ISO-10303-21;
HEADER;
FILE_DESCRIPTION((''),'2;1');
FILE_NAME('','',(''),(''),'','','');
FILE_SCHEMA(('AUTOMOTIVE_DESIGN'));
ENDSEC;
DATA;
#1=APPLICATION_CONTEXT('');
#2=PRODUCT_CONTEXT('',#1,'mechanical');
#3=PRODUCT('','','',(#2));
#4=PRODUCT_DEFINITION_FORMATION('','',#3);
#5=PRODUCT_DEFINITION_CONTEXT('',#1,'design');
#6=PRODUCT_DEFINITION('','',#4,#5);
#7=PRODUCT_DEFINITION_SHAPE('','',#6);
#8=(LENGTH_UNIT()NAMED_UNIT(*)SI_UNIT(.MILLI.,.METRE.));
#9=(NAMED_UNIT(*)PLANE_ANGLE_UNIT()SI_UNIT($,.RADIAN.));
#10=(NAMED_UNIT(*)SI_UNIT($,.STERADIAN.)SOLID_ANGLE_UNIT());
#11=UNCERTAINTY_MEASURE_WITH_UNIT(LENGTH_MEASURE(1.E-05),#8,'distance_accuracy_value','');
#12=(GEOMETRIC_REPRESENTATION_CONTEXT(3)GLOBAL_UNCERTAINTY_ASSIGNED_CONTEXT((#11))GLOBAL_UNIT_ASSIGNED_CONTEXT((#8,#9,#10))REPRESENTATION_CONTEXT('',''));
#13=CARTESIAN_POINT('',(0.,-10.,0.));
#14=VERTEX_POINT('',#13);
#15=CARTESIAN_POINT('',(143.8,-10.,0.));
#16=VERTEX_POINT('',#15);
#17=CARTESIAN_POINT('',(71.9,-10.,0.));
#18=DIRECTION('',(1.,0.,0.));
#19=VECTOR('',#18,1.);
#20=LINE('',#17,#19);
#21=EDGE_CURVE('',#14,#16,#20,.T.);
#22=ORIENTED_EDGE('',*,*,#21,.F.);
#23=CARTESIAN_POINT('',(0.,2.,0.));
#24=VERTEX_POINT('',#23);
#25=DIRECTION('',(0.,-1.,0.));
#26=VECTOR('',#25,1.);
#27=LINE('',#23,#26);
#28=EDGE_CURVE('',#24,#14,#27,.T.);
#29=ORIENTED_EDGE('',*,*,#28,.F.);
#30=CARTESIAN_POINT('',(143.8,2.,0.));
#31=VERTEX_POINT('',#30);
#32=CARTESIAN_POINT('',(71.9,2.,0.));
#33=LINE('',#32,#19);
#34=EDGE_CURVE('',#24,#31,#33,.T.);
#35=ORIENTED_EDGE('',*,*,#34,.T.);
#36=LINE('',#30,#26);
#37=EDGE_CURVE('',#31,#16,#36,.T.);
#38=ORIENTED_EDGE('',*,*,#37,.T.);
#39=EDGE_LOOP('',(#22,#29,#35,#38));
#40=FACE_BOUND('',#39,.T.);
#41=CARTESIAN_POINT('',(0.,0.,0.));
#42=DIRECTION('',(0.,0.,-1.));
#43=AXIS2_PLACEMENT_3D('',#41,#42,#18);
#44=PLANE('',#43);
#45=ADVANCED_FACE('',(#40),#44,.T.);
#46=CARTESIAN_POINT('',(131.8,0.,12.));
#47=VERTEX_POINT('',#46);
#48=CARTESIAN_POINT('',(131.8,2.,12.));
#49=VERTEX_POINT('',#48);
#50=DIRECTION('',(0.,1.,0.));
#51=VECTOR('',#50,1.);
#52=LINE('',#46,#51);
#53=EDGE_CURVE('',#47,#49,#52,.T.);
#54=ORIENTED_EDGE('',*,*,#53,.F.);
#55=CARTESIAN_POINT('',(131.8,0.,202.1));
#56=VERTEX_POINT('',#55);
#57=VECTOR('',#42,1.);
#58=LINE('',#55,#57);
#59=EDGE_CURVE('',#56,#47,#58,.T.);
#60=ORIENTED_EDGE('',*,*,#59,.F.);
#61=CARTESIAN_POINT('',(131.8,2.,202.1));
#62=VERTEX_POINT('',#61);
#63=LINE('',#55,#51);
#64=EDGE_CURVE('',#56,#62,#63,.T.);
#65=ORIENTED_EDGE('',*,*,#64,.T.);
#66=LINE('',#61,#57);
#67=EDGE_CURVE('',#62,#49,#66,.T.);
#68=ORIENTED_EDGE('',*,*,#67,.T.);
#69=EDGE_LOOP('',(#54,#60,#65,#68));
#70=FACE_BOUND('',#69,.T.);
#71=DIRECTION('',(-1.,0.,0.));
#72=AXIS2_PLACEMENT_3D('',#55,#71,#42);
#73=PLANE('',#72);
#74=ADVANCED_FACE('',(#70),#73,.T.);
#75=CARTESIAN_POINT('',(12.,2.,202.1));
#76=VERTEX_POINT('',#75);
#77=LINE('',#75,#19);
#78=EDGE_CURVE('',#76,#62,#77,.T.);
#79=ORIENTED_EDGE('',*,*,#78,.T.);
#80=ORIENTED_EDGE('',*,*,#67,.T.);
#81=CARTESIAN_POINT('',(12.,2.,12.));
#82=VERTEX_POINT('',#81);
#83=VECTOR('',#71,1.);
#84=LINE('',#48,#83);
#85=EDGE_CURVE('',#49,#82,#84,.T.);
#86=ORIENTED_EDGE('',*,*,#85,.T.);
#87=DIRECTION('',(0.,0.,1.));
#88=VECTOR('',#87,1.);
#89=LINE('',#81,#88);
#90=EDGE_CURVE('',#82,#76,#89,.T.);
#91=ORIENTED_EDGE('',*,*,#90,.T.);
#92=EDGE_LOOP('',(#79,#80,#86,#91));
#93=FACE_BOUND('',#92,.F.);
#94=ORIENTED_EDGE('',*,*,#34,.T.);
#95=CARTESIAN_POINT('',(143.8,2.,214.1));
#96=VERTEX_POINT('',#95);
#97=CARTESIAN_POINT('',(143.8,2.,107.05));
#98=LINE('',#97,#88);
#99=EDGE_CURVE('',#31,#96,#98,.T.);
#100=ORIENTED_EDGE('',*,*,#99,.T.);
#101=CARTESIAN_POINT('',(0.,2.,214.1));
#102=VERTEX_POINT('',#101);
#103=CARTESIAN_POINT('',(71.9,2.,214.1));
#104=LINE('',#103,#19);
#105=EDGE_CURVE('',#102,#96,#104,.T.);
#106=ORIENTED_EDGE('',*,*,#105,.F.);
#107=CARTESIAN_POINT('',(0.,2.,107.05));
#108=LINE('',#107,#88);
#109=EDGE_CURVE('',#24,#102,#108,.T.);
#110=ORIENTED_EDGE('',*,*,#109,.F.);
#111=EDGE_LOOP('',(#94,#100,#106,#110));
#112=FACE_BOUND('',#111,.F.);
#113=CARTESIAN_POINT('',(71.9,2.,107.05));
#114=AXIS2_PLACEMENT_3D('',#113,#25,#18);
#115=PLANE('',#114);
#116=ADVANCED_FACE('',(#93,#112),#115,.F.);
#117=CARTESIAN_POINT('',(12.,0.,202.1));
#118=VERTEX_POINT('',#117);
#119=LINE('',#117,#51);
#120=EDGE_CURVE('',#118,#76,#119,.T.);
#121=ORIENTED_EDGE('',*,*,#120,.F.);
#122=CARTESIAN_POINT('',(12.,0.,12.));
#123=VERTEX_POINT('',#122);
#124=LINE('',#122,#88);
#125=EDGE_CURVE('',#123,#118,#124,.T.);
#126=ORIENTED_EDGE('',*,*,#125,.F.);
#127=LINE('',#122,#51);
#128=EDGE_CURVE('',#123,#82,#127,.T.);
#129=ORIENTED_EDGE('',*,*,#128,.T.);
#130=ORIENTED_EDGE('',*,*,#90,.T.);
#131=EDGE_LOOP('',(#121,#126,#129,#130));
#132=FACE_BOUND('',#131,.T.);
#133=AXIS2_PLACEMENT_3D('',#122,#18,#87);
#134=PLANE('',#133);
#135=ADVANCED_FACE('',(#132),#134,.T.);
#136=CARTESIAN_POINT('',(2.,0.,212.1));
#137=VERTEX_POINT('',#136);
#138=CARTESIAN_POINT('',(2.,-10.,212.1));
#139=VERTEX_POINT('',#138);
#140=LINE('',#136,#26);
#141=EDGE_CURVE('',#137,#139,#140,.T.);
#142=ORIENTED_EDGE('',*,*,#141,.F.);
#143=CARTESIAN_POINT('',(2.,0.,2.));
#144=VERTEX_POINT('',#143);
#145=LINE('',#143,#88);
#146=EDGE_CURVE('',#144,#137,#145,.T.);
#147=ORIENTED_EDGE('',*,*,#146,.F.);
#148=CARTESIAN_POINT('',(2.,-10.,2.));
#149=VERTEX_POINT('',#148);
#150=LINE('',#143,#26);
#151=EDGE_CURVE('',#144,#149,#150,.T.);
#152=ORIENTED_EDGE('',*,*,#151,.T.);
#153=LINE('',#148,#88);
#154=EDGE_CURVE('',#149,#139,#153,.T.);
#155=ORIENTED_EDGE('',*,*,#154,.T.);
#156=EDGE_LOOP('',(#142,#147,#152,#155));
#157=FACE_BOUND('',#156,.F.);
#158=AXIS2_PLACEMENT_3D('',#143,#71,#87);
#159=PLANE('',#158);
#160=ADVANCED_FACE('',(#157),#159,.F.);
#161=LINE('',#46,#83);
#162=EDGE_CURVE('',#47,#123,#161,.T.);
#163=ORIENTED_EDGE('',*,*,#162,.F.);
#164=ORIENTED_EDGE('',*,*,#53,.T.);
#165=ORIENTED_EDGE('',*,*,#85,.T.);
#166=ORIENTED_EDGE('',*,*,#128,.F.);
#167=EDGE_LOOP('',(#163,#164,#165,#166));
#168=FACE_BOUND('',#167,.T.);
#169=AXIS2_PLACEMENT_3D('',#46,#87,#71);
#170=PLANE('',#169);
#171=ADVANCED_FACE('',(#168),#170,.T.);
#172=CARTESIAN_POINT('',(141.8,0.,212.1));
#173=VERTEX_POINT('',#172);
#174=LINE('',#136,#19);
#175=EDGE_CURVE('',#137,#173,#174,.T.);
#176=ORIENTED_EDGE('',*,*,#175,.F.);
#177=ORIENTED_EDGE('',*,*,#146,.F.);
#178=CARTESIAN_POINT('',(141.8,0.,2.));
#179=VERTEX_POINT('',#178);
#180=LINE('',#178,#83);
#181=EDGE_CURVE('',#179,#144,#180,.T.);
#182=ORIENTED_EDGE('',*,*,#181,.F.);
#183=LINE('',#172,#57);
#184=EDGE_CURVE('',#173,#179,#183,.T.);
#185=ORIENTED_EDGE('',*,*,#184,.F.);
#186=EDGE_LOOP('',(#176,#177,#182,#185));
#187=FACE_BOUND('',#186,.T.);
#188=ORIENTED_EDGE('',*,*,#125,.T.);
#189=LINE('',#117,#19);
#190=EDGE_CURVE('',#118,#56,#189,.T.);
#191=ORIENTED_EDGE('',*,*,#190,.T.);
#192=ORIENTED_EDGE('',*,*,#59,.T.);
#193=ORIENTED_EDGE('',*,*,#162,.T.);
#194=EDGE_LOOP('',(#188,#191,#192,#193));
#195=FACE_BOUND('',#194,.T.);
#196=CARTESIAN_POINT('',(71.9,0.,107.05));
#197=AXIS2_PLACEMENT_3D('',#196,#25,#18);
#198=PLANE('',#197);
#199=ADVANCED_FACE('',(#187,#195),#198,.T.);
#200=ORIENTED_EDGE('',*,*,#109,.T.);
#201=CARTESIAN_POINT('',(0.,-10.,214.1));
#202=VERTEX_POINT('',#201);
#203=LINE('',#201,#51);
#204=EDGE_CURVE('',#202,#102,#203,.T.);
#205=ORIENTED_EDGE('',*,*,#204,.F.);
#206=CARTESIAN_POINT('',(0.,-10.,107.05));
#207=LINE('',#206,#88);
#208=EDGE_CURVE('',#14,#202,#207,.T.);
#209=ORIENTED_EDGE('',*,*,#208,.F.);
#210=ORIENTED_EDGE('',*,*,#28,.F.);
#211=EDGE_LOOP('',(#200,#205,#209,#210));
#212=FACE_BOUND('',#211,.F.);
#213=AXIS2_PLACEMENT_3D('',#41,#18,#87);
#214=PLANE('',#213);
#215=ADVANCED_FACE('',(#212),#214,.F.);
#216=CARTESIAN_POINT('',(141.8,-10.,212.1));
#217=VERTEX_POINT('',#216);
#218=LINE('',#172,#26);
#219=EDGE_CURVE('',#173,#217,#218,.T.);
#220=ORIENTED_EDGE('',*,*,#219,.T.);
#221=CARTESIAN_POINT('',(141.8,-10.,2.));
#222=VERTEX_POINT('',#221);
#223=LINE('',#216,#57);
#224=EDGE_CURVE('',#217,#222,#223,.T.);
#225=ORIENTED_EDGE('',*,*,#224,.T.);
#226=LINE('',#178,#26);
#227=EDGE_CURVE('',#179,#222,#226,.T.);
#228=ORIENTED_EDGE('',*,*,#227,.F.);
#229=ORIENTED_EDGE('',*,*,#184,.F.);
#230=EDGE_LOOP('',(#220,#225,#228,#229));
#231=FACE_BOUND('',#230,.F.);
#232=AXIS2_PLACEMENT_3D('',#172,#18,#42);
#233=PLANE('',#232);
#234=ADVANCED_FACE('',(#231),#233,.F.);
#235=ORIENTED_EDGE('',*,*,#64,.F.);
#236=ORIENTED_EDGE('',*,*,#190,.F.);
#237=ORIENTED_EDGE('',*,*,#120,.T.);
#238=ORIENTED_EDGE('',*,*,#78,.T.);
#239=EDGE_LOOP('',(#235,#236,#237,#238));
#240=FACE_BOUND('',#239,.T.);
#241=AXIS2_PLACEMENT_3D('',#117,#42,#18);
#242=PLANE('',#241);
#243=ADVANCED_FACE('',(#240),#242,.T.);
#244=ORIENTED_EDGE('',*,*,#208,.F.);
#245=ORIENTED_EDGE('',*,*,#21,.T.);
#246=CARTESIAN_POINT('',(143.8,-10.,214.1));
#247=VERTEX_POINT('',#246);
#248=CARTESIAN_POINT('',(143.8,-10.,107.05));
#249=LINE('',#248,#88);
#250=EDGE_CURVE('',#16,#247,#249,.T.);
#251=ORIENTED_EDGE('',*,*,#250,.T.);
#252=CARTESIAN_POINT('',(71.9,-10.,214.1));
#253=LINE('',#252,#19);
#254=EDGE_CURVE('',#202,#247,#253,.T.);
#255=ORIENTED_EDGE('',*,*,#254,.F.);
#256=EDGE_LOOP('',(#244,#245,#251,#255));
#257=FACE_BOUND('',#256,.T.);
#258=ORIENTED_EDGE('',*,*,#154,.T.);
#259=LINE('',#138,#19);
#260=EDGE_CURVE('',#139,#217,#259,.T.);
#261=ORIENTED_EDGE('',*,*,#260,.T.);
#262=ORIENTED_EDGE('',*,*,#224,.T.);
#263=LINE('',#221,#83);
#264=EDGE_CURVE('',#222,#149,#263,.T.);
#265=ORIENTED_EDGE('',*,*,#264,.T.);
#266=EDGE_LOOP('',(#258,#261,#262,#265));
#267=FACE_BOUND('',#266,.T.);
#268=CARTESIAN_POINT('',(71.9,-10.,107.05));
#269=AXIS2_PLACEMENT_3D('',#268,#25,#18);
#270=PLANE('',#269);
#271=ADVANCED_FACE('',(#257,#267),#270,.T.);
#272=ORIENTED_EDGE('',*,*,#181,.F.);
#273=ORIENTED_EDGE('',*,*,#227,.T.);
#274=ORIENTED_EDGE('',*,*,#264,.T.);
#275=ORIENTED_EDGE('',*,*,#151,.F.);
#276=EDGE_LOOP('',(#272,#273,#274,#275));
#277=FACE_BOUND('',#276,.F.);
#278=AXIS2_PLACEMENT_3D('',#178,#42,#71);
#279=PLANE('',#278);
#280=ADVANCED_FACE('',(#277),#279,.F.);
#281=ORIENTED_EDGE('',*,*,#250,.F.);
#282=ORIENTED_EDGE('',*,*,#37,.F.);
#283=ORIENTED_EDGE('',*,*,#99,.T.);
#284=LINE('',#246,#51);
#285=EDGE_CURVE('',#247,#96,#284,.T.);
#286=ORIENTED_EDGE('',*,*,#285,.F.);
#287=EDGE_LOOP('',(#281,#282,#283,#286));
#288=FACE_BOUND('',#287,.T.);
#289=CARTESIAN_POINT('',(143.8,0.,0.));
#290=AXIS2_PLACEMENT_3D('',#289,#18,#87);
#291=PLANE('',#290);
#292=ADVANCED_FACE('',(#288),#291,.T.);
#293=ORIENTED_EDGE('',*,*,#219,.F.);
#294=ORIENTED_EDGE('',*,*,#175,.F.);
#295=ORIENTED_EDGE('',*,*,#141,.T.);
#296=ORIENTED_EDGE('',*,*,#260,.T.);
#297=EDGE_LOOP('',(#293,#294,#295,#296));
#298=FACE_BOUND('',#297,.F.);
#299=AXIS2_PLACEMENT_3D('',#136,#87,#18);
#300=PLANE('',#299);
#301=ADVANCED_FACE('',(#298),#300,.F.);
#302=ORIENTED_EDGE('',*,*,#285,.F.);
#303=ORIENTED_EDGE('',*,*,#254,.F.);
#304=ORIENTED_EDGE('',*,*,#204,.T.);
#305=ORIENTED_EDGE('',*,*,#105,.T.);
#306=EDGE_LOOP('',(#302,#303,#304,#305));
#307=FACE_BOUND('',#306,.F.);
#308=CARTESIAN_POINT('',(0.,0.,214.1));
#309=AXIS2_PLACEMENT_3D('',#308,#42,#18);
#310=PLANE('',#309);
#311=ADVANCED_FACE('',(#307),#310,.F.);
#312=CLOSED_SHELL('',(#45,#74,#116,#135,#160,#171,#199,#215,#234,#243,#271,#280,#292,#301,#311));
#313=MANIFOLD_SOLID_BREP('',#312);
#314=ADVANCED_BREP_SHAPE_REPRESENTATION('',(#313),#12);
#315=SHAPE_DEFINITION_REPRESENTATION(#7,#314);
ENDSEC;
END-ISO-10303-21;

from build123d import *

# Parameters (mm, degrees)
F0_W     = 143.8
F0_H     = 214.1
F1_DEPTH = 10
F2_DEPTH = 2


with BuildPart() as f1:
    # F0 (on Front) → F1 (new body)
    with BuildSketch(Plane.XZ):
        with Locations((71.9, 107.05)):
            Rectangle(F0_W, F0_H)
        Polygon((2, 149.1), (2, 212.1), (78.8, 212.1), (141.8, 212.1), (141.8, 149.1), (141.8, 2), (78.8, 2), (2, 2), align=None, mode=Mode.SUBTRACT)
    extrude(amount=F1_DEPTH)

    # F0 (on Front) → F2 (join)
    with BuildSketch(Plane.XZ):
        with Locations((71.9, 107.05)):
            Rectangle(F0_W, F0_H)
        Polygon((2, 149.1), (2, 212.1), (78.8, 212.1), (141.8, 212.1), (141.8, 149.1), (141.8, 2), (78.8, 2), (2, 2), align=None, mode=Mode.SUBTRACT)
        Polygon((78.8, 212.1), (2, 212.1), (2, 149.1), (12, 149.1), (12, 202.1), (78.8, 202.1), align=None)
        Polygon((141.8, 212.1), (78.8, 212.1), (78.8, 202.1), (131.8, 202.1), (131.8, 149.1), (141.8, 149.1), align=None)
        Polygon((12, 149.1), (2, 149.1), (2, 2), (78.8, 2), (78.8, 12), (12, 12), align=None)
        Polygon((141.8, 2), (141.8, 149.1), (131.8, 149.1), (131.8, 12), (78.8, 12), (78.8, 2), align=None)
    extrude(amount=-F2_DEPTH)


solid = f1.part
